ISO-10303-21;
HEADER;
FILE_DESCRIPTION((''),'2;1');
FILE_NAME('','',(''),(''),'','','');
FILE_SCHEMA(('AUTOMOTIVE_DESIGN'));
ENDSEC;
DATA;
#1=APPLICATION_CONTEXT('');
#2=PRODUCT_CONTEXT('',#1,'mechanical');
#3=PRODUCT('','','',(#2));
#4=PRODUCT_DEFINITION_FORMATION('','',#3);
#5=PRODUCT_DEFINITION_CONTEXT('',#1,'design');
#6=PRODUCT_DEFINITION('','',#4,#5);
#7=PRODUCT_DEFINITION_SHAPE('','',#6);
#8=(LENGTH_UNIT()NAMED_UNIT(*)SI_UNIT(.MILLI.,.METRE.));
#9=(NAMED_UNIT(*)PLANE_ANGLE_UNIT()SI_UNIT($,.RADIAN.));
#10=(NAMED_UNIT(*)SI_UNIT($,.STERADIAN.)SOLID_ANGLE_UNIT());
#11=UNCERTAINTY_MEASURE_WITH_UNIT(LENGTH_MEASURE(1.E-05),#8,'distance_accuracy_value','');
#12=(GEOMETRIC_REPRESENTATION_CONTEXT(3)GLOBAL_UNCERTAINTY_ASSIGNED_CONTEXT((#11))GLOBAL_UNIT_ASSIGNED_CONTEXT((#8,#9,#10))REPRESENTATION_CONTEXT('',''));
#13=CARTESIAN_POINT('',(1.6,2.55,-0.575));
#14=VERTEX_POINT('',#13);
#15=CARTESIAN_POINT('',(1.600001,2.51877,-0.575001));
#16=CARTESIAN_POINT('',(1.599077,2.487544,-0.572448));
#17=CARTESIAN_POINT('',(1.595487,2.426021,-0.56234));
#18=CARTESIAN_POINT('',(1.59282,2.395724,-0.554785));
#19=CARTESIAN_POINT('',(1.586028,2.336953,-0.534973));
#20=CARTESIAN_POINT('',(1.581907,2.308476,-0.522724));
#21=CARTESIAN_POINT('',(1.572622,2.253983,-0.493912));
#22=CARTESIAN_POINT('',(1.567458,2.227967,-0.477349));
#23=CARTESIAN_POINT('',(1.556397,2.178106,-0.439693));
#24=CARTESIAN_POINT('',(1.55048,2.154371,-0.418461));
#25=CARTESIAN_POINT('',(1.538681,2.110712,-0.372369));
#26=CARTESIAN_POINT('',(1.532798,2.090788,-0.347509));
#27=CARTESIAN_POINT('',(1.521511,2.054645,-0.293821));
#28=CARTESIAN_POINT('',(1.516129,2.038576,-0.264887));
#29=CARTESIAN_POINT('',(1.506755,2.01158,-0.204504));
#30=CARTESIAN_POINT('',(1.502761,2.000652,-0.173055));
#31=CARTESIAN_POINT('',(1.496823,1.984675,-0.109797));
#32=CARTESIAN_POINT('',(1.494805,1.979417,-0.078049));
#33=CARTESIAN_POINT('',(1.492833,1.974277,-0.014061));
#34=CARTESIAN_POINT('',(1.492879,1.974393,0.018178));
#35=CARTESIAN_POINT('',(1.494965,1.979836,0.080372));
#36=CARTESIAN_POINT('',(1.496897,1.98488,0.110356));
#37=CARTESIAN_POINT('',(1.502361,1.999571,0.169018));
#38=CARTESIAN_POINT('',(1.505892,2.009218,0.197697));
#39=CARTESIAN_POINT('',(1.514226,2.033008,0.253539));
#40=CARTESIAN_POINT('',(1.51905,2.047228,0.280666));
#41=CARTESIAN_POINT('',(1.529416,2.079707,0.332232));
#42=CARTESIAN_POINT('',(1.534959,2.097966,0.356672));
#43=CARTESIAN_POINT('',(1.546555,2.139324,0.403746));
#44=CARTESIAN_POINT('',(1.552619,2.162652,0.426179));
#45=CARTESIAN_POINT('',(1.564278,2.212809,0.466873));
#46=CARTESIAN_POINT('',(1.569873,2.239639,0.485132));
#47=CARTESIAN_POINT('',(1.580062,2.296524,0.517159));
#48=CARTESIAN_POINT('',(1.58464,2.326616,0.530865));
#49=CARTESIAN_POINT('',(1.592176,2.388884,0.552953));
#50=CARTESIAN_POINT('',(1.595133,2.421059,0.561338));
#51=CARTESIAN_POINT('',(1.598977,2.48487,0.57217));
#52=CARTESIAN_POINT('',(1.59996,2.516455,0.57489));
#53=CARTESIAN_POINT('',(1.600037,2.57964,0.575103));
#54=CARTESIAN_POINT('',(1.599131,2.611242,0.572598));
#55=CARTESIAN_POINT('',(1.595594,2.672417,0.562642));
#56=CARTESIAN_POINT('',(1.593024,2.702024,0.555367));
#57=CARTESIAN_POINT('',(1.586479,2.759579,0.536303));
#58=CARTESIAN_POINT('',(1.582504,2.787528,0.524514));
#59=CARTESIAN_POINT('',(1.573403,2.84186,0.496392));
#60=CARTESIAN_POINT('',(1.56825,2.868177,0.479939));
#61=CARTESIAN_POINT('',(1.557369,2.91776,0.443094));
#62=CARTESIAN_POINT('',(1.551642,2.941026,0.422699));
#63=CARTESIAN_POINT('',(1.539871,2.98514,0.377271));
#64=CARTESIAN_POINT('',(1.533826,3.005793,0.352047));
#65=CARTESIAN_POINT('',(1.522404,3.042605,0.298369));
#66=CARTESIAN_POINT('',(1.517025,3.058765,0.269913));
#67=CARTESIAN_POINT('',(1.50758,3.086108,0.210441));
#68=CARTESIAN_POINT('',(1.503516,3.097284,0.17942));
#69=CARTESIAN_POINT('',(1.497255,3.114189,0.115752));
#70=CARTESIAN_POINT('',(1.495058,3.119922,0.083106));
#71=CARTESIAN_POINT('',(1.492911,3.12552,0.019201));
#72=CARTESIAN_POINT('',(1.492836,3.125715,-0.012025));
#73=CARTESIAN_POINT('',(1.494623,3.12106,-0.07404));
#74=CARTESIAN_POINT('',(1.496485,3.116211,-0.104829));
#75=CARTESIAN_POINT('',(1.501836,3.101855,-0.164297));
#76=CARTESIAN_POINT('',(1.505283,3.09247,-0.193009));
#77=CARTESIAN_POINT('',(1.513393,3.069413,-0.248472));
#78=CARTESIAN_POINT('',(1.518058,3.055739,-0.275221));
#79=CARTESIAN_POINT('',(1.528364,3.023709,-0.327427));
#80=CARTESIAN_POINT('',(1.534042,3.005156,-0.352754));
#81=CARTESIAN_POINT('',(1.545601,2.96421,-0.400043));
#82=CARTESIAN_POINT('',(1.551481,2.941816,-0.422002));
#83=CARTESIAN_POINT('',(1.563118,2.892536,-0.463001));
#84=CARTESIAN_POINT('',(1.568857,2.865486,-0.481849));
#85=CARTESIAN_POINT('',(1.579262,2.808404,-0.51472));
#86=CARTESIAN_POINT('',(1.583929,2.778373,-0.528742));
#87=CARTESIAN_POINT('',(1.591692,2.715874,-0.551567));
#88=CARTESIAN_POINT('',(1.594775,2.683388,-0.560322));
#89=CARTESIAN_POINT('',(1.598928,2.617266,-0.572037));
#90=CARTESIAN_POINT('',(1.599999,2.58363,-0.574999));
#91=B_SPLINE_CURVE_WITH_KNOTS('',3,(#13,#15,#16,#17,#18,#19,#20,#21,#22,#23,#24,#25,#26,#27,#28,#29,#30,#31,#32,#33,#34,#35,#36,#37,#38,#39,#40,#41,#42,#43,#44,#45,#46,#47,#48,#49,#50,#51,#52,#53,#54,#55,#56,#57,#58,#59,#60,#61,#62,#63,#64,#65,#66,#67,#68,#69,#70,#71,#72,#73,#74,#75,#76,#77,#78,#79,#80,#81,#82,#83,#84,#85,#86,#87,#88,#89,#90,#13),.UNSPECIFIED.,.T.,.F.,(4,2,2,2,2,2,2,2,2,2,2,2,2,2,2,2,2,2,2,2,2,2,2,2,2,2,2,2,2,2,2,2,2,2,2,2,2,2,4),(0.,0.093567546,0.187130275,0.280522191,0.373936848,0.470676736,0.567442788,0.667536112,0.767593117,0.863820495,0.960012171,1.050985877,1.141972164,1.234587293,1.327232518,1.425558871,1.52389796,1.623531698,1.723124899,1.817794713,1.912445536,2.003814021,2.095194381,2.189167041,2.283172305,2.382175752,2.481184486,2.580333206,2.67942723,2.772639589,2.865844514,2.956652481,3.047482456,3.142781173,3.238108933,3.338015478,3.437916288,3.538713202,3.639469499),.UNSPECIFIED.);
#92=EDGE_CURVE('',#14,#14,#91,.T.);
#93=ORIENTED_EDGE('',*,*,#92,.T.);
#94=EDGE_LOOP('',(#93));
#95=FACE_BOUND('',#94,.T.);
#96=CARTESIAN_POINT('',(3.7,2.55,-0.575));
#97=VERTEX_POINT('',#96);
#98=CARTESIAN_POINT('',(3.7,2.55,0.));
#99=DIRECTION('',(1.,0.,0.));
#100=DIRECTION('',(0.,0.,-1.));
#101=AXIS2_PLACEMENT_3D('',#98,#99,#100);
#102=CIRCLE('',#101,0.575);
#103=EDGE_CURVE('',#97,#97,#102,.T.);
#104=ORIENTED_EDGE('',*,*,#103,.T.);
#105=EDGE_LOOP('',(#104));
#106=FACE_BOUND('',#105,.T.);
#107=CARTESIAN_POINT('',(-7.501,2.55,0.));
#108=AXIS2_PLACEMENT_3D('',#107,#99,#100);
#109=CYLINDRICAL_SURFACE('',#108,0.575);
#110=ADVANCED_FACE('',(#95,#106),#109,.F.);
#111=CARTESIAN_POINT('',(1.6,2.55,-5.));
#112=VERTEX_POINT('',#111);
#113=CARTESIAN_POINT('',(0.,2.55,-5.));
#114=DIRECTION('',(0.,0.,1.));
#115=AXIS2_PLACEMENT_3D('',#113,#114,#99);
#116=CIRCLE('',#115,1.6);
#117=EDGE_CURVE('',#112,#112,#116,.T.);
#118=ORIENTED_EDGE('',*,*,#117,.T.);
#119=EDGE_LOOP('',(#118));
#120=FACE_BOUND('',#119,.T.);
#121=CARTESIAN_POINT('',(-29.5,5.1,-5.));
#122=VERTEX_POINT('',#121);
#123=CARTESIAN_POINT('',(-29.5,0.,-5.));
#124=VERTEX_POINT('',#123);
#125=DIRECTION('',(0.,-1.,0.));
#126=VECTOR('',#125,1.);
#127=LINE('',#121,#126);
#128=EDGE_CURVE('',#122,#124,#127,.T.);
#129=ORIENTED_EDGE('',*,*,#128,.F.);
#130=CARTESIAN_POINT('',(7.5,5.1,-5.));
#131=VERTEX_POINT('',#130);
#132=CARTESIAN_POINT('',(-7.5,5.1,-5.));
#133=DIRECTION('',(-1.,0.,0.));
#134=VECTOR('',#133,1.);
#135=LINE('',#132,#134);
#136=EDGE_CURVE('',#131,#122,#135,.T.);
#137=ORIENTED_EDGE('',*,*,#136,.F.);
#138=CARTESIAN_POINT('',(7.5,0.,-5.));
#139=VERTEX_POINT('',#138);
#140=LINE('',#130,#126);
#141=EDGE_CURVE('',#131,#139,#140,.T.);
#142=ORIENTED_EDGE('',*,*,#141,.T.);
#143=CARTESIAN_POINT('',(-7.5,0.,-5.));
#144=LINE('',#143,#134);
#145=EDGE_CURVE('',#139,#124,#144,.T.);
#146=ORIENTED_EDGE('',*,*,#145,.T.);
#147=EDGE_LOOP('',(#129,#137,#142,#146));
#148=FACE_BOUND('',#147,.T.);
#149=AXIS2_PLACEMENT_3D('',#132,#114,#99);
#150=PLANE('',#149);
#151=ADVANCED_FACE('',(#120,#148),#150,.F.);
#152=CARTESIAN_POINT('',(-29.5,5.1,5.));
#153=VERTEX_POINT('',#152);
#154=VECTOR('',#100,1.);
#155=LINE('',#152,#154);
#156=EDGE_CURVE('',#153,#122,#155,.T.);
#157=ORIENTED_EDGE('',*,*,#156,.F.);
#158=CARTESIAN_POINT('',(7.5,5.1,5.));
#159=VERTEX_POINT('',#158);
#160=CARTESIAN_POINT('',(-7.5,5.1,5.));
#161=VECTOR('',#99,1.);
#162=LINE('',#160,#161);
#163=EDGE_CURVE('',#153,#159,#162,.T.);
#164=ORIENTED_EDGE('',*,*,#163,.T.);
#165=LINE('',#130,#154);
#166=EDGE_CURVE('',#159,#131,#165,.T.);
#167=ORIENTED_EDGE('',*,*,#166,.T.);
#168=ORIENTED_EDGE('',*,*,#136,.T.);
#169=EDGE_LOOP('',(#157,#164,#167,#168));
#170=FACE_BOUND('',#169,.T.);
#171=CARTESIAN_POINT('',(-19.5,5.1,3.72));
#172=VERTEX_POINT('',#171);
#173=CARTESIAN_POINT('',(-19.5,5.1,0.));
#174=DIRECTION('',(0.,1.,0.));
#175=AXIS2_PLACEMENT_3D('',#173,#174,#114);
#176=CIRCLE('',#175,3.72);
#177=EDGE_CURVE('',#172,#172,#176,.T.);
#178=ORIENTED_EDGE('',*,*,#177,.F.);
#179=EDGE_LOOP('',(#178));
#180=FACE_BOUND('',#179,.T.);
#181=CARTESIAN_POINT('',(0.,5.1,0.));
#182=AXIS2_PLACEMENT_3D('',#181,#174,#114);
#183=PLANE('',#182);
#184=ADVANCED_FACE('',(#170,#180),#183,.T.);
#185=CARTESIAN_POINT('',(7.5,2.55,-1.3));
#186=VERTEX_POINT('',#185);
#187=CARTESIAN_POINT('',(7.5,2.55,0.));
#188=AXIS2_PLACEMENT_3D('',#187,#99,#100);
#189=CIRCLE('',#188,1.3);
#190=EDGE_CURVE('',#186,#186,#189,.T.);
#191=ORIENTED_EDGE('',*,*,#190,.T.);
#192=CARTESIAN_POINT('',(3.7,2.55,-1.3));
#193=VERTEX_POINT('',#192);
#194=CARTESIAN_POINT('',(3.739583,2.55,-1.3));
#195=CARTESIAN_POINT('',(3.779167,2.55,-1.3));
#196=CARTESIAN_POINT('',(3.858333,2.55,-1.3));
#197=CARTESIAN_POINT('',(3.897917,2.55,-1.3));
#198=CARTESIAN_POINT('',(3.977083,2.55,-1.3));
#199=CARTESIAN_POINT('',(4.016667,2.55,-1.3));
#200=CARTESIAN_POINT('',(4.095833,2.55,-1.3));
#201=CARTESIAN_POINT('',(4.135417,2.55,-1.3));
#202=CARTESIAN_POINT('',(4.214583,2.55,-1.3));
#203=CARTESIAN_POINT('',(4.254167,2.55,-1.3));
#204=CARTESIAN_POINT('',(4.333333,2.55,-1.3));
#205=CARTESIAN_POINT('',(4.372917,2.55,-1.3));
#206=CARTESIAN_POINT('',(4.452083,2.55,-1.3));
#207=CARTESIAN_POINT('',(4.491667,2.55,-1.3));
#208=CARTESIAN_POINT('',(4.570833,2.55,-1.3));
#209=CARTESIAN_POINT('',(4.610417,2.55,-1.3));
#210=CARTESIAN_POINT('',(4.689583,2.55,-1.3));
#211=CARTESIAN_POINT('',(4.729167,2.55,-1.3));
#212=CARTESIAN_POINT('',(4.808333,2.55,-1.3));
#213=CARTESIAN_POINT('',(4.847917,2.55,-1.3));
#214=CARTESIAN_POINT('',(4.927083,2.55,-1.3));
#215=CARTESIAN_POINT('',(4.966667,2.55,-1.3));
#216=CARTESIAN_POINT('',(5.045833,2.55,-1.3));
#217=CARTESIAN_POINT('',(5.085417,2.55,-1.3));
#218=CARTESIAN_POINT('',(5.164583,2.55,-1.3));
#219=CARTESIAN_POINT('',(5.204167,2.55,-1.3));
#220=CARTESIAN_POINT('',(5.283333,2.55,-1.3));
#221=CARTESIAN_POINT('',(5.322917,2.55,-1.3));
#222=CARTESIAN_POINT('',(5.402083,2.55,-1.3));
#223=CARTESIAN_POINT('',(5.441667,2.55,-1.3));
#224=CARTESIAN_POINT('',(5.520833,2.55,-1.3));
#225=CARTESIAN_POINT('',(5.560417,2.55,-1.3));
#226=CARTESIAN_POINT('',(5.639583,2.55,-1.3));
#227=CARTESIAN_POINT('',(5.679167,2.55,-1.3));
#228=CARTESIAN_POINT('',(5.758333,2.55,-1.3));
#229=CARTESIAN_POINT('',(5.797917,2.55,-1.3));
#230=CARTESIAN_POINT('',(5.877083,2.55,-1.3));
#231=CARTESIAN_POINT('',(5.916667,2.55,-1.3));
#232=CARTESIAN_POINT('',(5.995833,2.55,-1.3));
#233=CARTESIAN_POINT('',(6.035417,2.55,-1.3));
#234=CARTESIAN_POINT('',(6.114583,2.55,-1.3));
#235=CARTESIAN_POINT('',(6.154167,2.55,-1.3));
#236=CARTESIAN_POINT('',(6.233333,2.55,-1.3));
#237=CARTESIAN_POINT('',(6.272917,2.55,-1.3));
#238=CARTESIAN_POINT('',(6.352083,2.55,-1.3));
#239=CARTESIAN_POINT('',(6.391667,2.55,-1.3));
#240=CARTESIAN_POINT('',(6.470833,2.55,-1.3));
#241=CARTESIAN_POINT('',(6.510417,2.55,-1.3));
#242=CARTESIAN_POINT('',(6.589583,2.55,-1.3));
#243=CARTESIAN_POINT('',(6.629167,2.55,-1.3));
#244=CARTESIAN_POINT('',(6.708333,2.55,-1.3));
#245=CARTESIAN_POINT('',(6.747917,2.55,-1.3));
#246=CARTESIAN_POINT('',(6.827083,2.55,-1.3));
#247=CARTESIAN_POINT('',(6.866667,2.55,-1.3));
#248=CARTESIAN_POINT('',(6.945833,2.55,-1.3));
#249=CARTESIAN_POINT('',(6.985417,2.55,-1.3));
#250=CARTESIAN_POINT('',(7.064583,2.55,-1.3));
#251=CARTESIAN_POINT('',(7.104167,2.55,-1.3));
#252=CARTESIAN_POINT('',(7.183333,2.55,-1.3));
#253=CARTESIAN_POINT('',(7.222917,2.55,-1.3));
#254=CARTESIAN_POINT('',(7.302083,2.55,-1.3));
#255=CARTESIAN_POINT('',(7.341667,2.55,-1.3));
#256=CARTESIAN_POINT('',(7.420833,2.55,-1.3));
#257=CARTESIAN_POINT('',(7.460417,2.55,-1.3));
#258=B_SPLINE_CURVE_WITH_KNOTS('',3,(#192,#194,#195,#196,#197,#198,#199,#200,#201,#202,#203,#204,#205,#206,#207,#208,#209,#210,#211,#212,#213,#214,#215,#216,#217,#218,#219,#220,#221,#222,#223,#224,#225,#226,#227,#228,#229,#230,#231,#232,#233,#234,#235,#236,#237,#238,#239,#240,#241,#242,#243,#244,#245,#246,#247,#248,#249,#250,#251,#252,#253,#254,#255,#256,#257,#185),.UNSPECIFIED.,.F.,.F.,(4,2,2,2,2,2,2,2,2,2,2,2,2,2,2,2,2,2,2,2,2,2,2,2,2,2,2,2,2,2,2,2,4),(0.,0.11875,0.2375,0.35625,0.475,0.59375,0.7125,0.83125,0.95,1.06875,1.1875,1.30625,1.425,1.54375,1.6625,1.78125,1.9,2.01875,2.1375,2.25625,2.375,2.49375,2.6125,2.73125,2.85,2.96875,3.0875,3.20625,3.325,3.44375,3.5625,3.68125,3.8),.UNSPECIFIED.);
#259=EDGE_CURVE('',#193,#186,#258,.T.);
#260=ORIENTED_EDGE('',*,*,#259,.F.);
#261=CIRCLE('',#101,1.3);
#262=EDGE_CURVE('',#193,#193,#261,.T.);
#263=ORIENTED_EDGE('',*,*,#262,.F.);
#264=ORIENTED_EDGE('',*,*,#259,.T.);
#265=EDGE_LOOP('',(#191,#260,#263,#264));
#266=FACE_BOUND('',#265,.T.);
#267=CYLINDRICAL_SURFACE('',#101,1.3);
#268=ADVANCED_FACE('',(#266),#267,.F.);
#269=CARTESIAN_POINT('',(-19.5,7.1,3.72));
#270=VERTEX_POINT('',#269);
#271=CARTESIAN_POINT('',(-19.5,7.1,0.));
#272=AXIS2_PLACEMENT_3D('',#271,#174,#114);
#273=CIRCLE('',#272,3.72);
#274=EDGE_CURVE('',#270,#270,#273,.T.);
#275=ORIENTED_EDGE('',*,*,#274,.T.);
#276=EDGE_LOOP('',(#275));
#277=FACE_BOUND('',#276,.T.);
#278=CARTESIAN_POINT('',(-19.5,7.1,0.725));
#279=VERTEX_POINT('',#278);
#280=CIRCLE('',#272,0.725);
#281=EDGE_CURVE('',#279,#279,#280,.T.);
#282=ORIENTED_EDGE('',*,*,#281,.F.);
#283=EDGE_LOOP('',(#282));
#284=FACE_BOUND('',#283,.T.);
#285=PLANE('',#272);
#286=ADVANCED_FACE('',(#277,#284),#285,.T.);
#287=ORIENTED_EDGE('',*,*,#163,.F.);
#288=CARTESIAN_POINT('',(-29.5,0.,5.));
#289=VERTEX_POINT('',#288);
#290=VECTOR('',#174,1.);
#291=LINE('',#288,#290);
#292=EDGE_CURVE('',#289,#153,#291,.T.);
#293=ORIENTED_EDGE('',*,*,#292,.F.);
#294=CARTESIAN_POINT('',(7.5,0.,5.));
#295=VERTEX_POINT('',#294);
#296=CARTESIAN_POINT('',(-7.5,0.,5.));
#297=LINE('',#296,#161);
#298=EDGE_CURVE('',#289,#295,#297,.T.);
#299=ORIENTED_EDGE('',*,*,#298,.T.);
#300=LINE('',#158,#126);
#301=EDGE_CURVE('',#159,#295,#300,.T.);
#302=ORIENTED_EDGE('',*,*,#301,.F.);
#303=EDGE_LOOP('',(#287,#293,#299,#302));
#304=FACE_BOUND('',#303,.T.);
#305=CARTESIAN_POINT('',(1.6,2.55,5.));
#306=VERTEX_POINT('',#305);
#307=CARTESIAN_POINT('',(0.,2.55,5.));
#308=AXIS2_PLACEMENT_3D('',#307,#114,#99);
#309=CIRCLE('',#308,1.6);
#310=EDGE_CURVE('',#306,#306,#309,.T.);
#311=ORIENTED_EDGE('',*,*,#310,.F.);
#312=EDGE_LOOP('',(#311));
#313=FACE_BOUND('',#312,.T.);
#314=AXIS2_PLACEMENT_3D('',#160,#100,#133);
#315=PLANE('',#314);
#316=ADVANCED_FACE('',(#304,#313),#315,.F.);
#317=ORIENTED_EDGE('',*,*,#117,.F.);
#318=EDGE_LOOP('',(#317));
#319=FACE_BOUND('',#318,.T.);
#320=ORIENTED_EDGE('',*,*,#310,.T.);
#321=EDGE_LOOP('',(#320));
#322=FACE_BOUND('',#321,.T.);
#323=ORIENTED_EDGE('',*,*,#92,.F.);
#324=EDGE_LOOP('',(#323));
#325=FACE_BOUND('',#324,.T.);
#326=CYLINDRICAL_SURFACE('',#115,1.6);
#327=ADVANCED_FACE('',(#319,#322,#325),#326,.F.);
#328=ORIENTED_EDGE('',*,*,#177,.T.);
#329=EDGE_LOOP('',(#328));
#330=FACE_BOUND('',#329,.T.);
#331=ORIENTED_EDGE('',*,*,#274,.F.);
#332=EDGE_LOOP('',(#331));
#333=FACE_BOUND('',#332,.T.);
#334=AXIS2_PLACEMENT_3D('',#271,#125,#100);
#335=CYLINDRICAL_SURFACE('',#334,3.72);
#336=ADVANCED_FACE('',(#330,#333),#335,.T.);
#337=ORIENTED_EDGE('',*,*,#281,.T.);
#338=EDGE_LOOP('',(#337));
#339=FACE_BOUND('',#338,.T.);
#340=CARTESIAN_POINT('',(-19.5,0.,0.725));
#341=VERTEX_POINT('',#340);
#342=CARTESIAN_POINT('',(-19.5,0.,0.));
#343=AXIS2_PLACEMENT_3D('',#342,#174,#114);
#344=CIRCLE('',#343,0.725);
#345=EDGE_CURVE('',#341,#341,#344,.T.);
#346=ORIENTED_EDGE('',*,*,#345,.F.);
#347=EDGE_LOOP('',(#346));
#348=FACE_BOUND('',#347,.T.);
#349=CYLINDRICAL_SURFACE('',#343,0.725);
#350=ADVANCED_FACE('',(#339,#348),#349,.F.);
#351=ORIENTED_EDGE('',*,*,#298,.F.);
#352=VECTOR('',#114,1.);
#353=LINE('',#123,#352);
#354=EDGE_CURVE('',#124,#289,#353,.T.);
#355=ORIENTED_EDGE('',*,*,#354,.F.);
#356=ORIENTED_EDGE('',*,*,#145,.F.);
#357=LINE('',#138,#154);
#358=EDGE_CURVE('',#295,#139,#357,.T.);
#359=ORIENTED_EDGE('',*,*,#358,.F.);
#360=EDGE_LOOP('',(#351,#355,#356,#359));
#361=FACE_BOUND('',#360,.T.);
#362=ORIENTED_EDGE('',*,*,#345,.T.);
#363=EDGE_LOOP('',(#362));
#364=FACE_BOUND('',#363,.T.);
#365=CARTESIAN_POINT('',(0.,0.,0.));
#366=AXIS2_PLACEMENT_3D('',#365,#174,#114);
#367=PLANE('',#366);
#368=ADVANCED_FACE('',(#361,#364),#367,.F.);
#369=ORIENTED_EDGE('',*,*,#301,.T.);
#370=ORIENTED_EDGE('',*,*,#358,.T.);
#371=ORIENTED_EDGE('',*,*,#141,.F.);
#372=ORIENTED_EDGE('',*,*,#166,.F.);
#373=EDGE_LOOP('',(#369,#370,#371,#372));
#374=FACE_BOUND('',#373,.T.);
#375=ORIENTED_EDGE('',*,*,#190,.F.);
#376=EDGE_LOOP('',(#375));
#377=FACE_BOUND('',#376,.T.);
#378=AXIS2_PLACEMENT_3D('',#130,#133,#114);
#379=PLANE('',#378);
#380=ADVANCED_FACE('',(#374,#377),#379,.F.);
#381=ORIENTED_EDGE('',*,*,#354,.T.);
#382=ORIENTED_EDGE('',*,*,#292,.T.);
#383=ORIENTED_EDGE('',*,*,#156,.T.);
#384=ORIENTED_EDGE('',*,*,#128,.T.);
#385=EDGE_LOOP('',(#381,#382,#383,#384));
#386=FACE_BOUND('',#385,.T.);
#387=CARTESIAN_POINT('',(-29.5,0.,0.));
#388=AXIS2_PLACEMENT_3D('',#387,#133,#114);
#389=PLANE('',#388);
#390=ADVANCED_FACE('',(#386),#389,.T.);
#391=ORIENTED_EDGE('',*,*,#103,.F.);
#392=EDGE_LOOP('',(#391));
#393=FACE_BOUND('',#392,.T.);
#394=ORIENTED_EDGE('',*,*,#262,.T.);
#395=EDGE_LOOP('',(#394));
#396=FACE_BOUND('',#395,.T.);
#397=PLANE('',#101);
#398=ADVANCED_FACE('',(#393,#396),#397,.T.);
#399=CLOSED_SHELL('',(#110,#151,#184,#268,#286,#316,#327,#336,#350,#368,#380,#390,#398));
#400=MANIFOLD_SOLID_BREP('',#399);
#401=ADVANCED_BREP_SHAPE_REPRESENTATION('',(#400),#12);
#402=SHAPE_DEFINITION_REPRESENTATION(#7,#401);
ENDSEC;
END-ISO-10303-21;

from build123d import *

# Parameters (mm, degrees)
SKETCH_1_W               = 15
SKETCH_1_H               = 10
EXTRUDE_1_DEPTH          = 5.1
SKETCH_2_R               = 1.6
CUT_EXTRUDE_1_DEPTH      = 14.500370365
SKETCH_3_R               = 1.3
CUT_EXTRUDE_2_DEPTH      = 3.8
CUT_EXTRUDE_3_REACH      = 15.283
CUT_EXTRUDE_3_END_RADIUS = 1.6
SKETCH_4_R               = 0.575
SKETCH_5_W               = 10
SKETCH_5_H               = 5.1
EXTRUDE_2_DEPTH          = 22
SKETCH_6_R               = 3.72
EXTRUDE_3_DEPTH          = 2
SKETCH_7_R               = 0.725
CUT_EXTRUDE_4_DEPTH      = 31.751585341


with BuildPart() as part:
    # 草图1 → 凸台-拉伸1 (new body)
    with BuildSketch(Plane(origin=(0, 0, 0), x_dir=(1, 0, 0), z_dir=(0, 1, 0))):
        Rectangle(SKETCH_1_W, SKETCH_1_H)
    extrude(amount=EXTRUDE_1_DEPTH)

    # 草图2 → 切除-拉伸1 (cut, through all)
    with BuildSketch(Plane.XY.offset(5)):
        with Locations((0, 2.55)):
            Circle(SKETCH_2_R)
    extrude(amount=-CUT_EXTRUDE_1_DEPTH, mode=Mode.SUBTRACT)

    # 草图3 → 切除-拉伸2 (cut)
    with BuildSketch(Plane(origin=(7.5, 0, 0), x_dir=(0, 0, -1), z_dir=(1, 0, 0))):
        with Locations((0, 2.55)):
            Circle(SKETCH_3_R)
    extrude(amount=-CUT_EXTRUDE_2_DEPTH, mode=Mode.SUBTRACT)

    # 切除-拉伸3: up to this cylinder (the profile starts outside it)
    cut_extrude_3_end = Plane(origin=(0, 2.55, 0), z_dir=(0, 0, 1)) * Cylinder(CUT_EXTRUDE_3_END_RADIUS, 34.766, mode=Mode.PRIVATE)
    # 草图4 → 切除-拉伸3 (cut, up to the surface)
    with BuildSketch(Plane(origin=(3.7, 0, 0), x_dir=(0, 0, -1), z_dir=(1, 0, 0)), mode=Mode.PRIVATE) as cut_extrude_3_sk1:
        with Locations((0, 2.55)):
            Circle(SKETCH_4_R)
    cut_extrude_3_tool1 = extrude(cut_extrude_3_sk1.sketch, amount=-CUT_EXTRUDE_3_REACH, mode=Mode.PRIVATE) - cut_extrude_3_end
    add(cut_extrude_3_tool1.solids().sort_by_distance((3.7, 2.55, 0))[0], mode=Mode.SUBTRACT)

    # 草图5 → 凸台-拉伸2 (add)
    with BuildSketch(Plane.ZY.offset(7.5)):
        with Locations((0, 2.55)):
            Rectangle(SKETCH_5_W, SKETCH_5_H)
    extrude(amount=EXTRUDE_2_DEPTH)

    # 草图6 → 凸台-拉伸3 (add)
    with BuildSketch(Plane(origin=(0, 5.1, 0), x_dir=(1, 0, 0), z_dir=(0, 1, 0))):
        with Locations(Location((-19.5, 0, 0), (0, 0, 270))):
            Circle(SKETCH_6_R)
    extrude(amount=EXTRUDE_3_DEPTH)

    # 草图7 → 切除-拉伸4 (cut, through all)
    with BuildSketch(Plane(origin=(0, 7.1, 0), x_dir=(1, 0, 0), z_dir=(0, 1, 0))):
        with Locations(Location((-19.5, 0, 0), (0, 0, 270))):
            Circle(SKETCH_7_R)
    extrude(amount=-CUT_EXTRUDE_4_DEPTH, mode=Mode.SUBTRACT)


solid = part.part
